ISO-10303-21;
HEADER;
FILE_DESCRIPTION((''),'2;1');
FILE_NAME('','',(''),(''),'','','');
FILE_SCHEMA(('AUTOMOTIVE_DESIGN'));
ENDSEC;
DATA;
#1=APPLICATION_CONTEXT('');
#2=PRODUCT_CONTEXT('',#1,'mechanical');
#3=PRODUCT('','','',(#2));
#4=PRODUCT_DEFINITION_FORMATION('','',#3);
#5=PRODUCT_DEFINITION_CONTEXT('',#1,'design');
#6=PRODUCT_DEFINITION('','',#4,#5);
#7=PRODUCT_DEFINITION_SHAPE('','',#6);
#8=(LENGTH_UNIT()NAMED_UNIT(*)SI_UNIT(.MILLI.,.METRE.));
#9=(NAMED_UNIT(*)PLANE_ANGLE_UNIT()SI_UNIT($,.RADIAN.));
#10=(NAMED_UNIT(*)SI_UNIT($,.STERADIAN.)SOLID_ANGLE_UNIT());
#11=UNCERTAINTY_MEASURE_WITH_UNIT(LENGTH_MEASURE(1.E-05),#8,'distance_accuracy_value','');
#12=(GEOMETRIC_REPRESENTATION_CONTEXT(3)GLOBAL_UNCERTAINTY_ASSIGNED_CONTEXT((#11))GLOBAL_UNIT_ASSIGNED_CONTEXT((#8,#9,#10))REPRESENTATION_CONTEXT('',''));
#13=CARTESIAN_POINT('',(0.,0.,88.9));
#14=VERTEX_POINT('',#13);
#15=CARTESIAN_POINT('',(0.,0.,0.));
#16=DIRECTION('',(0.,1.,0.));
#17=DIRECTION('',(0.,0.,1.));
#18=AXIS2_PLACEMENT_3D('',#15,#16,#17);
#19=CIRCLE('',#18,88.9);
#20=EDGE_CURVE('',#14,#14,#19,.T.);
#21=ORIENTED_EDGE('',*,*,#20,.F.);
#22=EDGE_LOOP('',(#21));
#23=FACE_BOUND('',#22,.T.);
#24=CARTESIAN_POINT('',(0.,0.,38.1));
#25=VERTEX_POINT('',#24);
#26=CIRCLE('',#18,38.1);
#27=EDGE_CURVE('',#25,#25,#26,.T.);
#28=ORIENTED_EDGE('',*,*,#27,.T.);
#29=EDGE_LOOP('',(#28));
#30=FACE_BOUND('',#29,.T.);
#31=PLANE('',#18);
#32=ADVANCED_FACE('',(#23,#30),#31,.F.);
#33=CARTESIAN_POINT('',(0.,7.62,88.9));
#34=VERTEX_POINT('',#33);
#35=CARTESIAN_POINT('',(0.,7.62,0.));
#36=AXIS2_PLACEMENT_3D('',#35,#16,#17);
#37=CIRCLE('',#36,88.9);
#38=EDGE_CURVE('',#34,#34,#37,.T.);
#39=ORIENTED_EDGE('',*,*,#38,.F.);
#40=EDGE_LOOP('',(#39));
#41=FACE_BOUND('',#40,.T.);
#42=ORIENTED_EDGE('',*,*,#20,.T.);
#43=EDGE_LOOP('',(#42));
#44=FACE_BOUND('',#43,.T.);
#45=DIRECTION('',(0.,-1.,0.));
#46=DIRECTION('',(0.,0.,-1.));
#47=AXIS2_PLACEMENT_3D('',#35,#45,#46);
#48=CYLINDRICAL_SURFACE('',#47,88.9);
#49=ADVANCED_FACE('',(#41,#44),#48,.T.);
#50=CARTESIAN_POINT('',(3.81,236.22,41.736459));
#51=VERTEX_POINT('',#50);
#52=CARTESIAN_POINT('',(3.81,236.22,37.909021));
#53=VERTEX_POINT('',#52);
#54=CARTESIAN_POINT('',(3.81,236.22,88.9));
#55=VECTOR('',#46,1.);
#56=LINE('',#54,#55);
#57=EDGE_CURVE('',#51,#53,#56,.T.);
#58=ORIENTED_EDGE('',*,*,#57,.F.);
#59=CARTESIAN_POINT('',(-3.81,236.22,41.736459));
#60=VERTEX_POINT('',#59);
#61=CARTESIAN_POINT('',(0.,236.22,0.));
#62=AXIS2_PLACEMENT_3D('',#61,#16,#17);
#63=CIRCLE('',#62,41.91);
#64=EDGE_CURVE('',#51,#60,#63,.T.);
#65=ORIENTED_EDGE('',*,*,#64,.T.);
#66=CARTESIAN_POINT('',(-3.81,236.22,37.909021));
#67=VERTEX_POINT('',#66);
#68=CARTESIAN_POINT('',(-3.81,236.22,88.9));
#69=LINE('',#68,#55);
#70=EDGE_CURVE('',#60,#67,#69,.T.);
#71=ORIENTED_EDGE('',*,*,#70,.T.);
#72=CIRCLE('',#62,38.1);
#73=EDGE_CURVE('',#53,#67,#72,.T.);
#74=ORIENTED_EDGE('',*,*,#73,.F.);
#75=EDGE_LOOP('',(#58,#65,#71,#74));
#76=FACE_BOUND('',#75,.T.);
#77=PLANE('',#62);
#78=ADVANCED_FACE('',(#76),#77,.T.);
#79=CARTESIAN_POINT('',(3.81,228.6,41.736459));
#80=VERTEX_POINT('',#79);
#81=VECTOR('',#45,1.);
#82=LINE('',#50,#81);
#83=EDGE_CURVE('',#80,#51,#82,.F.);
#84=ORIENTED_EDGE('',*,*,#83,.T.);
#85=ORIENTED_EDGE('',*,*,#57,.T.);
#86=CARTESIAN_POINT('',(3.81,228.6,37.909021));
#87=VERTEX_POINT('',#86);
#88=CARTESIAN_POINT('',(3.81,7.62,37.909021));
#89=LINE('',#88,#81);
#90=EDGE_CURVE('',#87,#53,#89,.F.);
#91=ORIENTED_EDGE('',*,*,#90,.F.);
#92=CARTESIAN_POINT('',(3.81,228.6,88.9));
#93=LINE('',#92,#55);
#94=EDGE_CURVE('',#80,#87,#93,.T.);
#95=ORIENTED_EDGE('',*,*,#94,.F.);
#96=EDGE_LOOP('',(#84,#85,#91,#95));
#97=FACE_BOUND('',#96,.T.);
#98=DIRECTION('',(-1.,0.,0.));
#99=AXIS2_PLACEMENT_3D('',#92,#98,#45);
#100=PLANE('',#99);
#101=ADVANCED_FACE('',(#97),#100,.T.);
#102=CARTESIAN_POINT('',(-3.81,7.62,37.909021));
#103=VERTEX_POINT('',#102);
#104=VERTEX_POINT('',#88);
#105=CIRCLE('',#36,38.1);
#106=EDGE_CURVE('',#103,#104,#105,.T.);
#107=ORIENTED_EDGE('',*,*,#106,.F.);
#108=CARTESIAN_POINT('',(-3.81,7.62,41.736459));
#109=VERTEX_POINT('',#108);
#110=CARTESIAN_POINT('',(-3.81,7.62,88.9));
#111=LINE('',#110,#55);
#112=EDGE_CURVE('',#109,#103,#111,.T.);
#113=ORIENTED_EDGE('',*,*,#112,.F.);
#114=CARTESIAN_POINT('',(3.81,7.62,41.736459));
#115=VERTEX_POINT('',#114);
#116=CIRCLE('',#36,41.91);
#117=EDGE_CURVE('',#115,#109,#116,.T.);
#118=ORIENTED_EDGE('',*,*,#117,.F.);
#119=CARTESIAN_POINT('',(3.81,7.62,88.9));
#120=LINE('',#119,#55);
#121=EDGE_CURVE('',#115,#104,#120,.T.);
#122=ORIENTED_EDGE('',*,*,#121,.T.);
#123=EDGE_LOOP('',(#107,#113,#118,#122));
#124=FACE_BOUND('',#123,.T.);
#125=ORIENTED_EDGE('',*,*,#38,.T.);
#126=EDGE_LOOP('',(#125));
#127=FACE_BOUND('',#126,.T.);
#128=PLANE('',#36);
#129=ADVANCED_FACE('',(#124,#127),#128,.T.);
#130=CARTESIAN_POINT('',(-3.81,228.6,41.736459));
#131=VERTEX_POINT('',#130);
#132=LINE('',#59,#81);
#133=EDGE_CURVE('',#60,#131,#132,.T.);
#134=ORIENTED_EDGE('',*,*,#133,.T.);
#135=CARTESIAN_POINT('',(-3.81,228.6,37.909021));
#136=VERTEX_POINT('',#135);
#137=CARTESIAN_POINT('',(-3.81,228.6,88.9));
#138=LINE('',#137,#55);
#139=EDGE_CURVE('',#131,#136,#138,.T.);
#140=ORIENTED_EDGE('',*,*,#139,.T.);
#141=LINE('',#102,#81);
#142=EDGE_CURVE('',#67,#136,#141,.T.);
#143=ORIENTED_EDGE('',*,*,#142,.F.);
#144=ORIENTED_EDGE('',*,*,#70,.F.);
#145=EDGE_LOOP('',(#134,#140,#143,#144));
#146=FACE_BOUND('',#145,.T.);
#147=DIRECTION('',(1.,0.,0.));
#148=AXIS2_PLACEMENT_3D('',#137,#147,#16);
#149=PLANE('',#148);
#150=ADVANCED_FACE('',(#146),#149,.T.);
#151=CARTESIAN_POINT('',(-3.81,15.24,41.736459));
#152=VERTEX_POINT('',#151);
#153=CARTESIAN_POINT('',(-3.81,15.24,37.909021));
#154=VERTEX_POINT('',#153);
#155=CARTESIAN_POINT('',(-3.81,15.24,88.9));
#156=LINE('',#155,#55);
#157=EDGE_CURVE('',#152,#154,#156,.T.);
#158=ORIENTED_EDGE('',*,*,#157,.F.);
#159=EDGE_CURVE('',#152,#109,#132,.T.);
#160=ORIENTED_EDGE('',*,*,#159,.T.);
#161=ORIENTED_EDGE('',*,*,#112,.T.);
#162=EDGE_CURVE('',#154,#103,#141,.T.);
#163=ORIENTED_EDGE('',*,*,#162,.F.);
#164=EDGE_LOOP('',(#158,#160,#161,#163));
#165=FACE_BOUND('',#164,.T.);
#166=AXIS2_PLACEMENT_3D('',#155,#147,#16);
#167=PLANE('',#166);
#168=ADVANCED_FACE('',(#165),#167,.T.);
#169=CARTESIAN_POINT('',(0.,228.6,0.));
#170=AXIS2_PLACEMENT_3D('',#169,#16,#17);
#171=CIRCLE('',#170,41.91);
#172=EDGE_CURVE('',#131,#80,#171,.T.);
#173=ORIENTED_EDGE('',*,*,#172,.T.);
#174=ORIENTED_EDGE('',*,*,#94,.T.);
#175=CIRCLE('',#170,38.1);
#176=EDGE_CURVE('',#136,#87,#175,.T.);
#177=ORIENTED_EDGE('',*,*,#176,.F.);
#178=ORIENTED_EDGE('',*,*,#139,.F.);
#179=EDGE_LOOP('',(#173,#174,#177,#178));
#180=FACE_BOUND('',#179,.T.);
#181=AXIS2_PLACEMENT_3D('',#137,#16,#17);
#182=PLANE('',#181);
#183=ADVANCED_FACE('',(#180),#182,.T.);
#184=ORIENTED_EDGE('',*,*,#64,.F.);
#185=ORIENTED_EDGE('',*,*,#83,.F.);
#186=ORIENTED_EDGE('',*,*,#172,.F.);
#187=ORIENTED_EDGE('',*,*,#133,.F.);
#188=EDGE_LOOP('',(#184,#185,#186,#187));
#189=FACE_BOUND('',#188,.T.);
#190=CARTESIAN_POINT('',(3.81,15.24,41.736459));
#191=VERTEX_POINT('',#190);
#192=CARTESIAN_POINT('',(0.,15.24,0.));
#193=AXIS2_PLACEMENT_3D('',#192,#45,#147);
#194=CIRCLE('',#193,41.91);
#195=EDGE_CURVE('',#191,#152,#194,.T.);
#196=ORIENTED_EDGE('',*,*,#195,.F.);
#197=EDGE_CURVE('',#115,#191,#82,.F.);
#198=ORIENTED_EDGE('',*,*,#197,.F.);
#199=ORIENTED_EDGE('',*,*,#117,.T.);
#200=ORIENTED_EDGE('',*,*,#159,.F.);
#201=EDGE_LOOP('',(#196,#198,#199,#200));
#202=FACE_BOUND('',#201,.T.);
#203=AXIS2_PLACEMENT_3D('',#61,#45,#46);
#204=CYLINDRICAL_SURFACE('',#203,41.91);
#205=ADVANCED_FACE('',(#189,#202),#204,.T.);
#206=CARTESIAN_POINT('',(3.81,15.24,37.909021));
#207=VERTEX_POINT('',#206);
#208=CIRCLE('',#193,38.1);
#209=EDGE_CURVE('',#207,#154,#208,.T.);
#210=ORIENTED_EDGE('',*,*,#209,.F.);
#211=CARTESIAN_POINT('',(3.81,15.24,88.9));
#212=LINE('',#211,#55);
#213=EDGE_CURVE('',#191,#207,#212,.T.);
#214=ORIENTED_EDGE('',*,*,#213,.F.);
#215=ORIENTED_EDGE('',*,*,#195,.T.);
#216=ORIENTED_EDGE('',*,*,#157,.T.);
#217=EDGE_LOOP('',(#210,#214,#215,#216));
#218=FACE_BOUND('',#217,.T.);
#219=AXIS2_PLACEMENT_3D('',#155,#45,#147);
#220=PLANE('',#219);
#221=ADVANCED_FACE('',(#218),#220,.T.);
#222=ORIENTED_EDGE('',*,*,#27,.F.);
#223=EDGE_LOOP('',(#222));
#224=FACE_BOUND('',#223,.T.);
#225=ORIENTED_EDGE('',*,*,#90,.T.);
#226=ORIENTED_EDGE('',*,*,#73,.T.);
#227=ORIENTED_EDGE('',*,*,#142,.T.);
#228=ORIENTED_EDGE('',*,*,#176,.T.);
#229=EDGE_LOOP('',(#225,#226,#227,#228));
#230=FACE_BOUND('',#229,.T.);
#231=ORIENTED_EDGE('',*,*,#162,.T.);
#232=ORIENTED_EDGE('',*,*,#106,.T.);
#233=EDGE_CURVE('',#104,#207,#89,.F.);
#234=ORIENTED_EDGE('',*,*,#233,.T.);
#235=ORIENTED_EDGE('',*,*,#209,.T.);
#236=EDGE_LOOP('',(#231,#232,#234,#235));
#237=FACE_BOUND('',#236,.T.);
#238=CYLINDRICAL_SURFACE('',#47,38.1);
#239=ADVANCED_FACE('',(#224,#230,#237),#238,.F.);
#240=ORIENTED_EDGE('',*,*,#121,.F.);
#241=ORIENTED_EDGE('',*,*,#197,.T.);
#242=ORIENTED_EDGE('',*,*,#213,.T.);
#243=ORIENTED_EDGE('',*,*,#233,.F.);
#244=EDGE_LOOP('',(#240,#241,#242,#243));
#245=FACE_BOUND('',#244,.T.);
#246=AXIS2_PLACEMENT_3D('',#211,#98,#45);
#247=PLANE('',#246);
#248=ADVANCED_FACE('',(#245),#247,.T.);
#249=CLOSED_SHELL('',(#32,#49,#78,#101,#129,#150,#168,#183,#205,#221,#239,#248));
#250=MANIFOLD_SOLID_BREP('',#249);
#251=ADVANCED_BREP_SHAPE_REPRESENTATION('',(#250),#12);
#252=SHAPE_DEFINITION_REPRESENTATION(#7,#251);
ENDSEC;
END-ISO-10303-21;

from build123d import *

# Parameters (mm, degrees)
SKETCH1_R           = 88.9
SKETCH1_R_2         = 38.1
BOSS_EXTRUDE1_DEPTH = 7.62
SKETCH2_R           = 41.91
SKETCH2_R_2         = 38.1
BOSS_EXTRUDE2_DEPTH = 228.6
SKETCH3_W           = 7.62
SKETCH3_H           = 7.62
CUT_EXTRUDE1_DEPTH  = 89.9


with BuildPart() as part:
    # Sketch1 → Boss-Extrude1 (new body)
    with BuildSketch(Plane(origin=(0, 0, 0), x_dir=(1, 0, 0), z_dir=(0, 1, 0))):
        Circle(SKETCH1_R)
        Circle(SKETCH1_R_2, mode=Mode.SUBTRACT)
    extrude(amount=BOSS_EXTRUDE1_DEPTH)

    # Sketch2 → Boss-Extrude2 (add)
    with BuildSketch(Plane(origin=(0, 7.62, 0), x_dir=(1, 0, 0), z_dir=(0, 1, 0))):
        Circle(SKETCH2_R)
        Circle(SKETCH2_R_2, mode=Mode.SUBTRACT)
    extrude(amount=BOSS_EXTRUDE2_DEPTH)

    # Sketch3 → Cut-Extrude1 (cut, through all)
    with BuildSketch(Plane.XY):
        with Locations((0, 11.43)):
            Rectangle(SKETCH3_W, SKETCH3_H)
        with Locations((0, 232.41)):
            Rectangle(SKETCH3_W, SKETCH3_H)
    extrude(amount=CUT_EXTRUDE1_DEPTH, mode=Mode.SUBTRACT)


solid = part.part
